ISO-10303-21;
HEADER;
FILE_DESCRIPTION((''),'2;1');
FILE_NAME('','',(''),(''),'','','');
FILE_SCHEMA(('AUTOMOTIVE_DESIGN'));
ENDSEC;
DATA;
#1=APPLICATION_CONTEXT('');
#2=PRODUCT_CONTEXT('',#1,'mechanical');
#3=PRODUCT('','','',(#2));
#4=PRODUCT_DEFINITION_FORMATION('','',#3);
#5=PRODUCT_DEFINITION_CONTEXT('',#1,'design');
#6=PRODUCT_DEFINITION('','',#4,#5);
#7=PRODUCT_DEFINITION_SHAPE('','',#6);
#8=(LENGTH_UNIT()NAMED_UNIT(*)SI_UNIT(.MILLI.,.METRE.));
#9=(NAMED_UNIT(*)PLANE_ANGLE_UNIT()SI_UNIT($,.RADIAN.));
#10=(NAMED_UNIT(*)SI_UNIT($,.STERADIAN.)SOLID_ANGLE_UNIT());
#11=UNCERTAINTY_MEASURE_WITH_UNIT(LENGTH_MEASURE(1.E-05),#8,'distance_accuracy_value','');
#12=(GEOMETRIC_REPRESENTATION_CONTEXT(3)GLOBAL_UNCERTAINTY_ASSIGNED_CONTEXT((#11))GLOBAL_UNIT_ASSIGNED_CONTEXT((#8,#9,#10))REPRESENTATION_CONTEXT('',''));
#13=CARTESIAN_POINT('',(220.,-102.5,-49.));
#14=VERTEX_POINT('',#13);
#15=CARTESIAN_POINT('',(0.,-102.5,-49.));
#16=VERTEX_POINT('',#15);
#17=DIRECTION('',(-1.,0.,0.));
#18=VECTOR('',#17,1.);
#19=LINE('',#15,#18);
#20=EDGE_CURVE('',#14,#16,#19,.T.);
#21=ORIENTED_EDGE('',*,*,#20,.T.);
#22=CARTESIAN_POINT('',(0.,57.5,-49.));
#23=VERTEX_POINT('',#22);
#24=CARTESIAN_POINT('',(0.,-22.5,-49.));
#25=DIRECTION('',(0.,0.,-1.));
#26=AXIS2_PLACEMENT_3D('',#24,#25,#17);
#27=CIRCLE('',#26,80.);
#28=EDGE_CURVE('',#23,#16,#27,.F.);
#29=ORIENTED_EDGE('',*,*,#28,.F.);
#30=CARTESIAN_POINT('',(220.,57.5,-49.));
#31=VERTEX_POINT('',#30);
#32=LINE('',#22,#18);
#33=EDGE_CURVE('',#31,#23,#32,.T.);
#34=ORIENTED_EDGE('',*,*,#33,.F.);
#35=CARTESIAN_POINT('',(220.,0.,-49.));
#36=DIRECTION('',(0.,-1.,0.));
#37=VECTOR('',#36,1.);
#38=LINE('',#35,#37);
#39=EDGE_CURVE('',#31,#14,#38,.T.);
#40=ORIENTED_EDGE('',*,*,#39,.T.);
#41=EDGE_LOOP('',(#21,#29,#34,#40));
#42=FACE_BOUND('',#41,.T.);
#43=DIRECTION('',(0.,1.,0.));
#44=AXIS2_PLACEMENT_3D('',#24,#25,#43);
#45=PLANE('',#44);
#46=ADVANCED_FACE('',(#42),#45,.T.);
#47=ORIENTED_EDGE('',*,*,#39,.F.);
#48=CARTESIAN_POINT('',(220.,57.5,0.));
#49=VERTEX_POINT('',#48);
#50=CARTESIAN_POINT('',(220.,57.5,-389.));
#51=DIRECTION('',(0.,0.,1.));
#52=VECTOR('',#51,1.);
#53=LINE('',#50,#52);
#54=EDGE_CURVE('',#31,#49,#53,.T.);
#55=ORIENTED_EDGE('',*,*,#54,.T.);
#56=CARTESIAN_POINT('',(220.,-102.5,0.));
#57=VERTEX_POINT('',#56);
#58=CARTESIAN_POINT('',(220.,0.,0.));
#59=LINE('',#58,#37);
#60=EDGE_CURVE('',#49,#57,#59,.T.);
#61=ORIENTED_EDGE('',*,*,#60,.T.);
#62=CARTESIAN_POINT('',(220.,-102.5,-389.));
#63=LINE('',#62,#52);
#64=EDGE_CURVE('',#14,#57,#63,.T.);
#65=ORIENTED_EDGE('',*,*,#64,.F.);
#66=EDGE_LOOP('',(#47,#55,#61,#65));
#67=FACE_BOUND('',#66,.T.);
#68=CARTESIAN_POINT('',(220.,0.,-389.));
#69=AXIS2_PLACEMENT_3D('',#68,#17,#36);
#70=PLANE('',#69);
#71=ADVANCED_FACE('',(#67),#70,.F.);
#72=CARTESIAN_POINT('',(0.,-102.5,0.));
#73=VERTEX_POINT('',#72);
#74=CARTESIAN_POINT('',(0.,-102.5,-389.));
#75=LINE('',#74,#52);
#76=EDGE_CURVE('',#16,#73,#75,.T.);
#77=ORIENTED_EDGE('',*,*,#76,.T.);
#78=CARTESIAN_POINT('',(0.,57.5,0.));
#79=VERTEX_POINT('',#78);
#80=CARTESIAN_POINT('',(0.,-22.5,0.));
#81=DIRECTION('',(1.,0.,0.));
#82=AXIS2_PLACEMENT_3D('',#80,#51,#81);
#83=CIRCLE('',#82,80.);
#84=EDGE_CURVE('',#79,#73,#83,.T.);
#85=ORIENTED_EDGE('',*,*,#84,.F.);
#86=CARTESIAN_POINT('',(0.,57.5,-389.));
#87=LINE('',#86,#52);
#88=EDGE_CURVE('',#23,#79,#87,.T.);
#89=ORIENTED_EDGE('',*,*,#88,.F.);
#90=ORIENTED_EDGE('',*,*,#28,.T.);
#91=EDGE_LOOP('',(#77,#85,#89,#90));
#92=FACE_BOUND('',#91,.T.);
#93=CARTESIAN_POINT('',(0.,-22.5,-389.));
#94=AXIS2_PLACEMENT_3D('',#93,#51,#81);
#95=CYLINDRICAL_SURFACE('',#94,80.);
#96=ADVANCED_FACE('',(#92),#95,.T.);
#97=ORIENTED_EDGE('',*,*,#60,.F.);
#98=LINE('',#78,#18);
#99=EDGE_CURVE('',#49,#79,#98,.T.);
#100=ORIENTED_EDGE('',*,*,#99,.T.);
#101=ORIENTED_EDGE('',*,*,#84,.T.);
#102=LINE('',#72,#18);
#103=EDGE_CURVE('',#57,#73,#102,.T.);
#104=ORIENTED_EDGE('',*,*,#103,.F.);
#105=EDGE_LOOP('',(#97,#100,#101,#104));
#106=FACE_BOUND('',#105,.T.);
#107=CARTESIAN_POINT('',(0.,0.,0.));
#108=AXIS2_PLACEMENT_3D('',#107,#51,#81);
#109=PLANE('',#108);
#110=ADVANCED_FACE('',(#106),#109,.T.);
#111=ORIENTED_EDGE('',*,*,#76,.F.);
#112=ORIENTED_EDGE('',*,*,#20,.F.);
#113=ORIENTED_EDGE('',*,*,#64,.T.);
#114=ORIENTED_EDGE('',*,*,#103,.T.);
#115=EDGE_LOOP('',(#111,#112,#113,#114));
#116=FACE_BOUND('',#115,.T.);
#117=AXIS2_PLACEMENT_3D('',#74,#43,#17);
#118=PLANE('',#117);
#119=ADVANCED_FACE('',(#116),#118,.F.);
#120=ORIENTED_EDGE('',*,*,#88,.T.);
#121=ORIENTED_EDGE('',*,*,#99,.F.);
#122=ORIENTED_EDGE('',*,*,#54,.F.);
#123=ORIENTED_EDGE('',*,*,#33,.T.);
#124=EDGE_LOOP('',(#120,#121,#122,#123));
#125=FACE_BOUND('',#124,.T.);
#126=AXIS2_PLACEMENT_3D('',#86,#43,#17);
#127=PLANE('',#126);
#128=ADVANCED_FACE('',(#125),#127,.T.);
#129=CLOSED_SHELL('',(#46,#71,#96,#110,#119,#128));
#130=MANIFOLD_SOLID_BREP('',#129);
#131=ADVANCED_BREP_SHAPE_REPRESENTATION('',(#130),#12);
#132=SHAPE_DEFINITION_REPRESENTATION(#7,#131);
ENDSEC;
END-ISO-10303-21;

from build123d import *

# Parameters (mm, degrees)
BOSS_EXTRUDE1_DEPTH = 49


with BuildPart() as part:
    # Sketch1 → Boss-Extrude1 (new body)
    with BuildSketch(Plane.XY):
        with BuildLine():
            ThreePointArc((-41.624123865, -90.81860883), (80, -22.5), (-41.624123865, 45.81860883))
            ThreePointArc((-41.624123865, 45.81860883), (-80, -22.5), (-41.624123865, -90.81860883))
        make_face()
        with BuildLine():
            Line((220, -102.5), (220, 57.5))
            Line((220, 57.5), (0, 57.5))
            ThreePointArc((0, 57.5), (80, -22.5), (0, -102.5))
            Line((0, -102.5), (220, -102.5))
        make_face()
    extrude(amount=-BOSS_EXTRUDE1_DEPTH)


solid = part.part
